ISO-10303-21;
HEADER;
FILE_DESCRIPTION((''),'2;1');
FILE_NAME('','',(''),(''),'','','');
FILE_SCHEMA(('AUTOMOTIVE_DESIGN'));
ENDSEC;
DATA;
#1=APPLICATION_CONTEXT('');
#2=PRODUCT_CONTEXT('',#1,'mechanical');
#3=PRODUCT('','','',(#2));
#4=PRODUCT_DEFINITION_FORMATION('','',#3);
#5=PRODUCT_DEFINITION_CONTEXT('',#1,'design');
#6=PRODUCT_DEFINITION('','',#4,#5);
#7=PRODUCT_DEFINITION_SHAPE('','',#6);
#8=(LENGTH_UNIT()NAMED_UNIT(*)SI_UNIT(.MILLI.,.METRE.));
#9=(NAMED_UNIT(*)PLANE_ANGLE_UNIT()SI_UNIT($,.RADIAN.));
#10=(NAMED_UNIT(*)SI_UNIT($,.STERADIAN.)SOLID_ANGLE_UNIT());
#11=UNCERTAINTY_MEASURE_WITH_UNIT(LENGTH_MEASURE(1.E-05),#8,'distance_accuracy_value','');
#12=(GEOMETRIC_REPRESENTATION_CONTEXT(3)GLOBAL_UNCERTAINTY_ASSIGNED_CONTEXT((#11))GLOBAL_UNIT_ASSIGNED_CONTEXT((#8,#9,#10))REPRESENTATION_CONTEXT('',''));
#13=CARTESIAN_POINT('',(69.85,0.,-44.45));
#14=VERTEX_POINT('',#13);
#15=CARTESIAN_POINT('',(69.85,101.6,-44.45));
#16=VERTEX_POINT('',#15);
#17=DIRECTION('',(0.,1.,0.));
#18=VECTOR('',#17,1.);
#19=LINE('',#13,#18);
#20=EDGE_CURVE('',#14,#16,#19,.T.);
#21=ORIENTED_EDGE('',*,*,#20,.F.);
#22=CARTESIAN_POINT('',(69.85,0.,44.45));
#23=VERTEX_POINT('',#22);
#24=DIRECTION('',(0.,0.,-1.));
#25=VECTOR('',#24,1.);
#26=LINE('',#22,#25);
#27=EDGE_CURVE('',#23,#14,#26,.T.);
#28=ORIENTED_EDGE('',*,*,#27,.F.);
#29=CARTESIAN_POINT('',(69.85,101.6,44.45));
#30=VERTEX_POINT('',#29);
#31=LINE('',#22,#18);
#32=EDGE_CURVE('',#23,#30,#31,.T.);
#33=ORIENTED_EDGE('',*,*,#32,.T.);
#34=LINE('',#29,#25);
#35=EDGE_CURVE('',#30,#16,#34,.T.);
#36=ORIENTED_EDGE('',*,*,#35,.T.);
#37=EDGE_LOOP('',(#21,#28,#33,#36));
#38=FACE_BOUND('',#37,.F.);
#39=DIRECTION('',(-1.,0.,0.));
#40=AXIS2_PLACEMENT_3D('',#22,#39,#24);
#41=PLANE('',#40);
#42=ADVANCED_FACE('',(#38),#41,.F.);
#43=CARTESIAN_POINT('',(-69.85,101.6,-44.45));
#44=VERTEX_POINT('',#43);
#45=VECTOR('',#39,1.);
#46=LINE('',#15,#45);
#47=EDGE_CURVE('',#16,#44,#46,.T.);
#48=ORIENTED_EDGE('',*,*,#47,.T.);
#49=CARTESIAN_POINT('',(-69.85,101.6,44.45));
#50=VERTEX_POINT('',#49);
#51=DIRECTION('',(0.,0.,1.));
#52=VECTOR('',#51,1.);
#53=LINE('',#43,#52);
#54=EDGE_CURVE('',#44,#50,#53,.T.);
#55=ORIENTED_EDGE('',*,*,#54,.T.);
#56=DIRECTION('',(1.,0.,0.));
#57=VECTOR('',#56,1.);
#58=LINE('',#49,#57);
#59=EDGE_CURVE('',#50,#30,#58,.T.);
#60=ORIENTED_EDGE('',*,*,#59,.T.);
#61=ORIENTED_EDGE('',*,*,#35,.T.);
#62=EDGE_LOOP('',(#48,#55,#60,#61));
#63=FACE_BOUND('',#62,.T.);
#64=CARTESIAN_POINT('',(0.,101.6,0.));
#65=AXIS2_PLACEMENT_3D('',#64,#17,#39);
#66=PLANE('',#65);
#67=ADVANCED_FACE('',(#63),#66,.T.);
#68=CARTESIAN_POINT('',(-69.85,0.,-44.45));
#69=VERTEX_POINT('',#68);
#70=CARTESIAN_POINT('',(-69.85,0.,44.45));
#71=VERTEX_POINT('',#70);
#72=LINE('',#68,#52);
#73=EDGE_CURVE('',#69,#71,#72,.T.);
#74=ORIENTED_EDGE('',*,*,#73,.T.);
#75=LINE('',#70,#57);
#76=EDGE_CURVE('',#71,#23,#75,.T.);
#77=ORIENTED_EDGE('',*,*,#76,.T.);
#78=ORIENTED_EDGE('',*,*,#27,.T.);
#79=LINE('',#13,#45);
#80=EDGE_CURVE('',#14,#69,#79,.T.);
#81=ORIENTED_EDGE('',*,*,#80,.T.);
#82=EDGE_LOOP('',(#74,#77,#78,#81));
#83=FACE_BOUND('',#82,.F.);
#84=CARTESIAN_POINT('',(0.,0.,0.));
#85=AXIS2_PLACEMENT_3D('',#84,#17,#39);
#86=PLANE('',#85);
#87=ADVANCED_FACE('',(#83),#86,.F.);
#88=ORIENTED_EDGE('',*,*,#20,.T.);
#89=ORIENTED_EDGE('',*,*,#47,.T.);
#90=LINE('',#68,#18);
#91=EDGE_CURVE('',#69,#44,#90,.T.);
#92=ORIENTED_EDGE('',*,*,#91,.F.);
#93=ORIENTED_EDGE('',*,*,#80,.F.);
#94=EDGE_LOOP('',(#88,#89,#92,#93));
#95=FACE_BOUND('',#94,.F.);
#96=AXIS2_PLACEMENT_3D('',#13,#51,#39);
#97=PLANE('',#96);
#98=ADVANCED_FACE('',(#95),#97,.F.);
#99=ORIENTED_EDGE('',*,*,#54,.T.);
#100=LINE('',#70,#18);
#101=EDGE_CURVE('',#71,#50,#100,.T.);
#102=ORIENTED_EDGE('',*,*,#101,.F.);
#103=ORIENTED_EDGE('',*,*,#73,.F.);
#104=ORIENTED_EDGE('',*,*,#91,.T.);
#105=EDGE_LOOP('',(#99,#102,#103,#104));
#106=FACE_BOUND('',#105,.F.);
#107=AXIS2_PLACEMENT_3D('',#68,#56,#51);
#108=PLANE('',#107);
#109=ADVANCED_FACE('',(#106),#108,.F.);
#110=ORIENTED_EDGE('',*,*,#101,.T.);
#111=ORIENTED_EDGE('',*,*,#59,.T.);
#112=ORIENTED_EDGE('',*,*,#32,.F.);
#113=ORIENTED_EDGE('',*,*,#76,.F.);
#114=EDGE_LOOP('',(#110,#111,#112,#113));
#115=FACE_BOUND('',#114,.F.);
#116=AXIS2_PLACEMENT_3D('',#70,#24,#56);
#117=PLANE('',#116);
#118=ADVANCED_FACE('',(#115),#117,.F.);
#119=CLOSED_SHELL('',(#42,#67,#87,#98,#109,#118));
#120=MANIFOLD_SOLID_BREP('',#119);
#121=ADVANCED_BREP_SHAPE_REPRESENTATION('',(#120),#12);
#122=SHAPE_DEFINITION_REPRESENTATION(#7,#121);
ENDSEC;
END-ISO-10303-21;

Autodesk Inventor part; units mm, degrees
ref_plane "YZ Plane" through (0, 0, 0) normal (1, 0, 0) x (0, 1, 0)
ref_plane "XZ Plane" through (0, 0, 0) normal (0, 1, 0) x (-1, 0, 0)
ref_plane "XY Plane" through (0, 0, 0) normal (0, 0, 1) x (1, 0, 0)
sketch "Sketch1" plane through (0, 0, 0) normal (0, 1, 0) x (-1, 0, 0)
  line L0 (-69.85, -44.45) -> (69.85, -44.45)
  line L1 (69.85, -44.45) -> (69.85, 44.45)
  line L2 (69.85, 44.45) -> (-69.85, 44.45)
  line L3 (-69.85, 44.45) -> (-69.85, -44.45)
  line L4 (-69.85, -44.45) -> (69.85, 44.45) construction
  line L5 (69.85, -44.45) -> (-69.85, 44.45) construction
  point P0 (0, 0)
  dimension "d0" = 139.7
  dimension "d1" = 88.9
extrude "Extrusion1" add sketch "Sketch1" along normal blind 101.6
properties part number "NMR Control Circuit Board"
